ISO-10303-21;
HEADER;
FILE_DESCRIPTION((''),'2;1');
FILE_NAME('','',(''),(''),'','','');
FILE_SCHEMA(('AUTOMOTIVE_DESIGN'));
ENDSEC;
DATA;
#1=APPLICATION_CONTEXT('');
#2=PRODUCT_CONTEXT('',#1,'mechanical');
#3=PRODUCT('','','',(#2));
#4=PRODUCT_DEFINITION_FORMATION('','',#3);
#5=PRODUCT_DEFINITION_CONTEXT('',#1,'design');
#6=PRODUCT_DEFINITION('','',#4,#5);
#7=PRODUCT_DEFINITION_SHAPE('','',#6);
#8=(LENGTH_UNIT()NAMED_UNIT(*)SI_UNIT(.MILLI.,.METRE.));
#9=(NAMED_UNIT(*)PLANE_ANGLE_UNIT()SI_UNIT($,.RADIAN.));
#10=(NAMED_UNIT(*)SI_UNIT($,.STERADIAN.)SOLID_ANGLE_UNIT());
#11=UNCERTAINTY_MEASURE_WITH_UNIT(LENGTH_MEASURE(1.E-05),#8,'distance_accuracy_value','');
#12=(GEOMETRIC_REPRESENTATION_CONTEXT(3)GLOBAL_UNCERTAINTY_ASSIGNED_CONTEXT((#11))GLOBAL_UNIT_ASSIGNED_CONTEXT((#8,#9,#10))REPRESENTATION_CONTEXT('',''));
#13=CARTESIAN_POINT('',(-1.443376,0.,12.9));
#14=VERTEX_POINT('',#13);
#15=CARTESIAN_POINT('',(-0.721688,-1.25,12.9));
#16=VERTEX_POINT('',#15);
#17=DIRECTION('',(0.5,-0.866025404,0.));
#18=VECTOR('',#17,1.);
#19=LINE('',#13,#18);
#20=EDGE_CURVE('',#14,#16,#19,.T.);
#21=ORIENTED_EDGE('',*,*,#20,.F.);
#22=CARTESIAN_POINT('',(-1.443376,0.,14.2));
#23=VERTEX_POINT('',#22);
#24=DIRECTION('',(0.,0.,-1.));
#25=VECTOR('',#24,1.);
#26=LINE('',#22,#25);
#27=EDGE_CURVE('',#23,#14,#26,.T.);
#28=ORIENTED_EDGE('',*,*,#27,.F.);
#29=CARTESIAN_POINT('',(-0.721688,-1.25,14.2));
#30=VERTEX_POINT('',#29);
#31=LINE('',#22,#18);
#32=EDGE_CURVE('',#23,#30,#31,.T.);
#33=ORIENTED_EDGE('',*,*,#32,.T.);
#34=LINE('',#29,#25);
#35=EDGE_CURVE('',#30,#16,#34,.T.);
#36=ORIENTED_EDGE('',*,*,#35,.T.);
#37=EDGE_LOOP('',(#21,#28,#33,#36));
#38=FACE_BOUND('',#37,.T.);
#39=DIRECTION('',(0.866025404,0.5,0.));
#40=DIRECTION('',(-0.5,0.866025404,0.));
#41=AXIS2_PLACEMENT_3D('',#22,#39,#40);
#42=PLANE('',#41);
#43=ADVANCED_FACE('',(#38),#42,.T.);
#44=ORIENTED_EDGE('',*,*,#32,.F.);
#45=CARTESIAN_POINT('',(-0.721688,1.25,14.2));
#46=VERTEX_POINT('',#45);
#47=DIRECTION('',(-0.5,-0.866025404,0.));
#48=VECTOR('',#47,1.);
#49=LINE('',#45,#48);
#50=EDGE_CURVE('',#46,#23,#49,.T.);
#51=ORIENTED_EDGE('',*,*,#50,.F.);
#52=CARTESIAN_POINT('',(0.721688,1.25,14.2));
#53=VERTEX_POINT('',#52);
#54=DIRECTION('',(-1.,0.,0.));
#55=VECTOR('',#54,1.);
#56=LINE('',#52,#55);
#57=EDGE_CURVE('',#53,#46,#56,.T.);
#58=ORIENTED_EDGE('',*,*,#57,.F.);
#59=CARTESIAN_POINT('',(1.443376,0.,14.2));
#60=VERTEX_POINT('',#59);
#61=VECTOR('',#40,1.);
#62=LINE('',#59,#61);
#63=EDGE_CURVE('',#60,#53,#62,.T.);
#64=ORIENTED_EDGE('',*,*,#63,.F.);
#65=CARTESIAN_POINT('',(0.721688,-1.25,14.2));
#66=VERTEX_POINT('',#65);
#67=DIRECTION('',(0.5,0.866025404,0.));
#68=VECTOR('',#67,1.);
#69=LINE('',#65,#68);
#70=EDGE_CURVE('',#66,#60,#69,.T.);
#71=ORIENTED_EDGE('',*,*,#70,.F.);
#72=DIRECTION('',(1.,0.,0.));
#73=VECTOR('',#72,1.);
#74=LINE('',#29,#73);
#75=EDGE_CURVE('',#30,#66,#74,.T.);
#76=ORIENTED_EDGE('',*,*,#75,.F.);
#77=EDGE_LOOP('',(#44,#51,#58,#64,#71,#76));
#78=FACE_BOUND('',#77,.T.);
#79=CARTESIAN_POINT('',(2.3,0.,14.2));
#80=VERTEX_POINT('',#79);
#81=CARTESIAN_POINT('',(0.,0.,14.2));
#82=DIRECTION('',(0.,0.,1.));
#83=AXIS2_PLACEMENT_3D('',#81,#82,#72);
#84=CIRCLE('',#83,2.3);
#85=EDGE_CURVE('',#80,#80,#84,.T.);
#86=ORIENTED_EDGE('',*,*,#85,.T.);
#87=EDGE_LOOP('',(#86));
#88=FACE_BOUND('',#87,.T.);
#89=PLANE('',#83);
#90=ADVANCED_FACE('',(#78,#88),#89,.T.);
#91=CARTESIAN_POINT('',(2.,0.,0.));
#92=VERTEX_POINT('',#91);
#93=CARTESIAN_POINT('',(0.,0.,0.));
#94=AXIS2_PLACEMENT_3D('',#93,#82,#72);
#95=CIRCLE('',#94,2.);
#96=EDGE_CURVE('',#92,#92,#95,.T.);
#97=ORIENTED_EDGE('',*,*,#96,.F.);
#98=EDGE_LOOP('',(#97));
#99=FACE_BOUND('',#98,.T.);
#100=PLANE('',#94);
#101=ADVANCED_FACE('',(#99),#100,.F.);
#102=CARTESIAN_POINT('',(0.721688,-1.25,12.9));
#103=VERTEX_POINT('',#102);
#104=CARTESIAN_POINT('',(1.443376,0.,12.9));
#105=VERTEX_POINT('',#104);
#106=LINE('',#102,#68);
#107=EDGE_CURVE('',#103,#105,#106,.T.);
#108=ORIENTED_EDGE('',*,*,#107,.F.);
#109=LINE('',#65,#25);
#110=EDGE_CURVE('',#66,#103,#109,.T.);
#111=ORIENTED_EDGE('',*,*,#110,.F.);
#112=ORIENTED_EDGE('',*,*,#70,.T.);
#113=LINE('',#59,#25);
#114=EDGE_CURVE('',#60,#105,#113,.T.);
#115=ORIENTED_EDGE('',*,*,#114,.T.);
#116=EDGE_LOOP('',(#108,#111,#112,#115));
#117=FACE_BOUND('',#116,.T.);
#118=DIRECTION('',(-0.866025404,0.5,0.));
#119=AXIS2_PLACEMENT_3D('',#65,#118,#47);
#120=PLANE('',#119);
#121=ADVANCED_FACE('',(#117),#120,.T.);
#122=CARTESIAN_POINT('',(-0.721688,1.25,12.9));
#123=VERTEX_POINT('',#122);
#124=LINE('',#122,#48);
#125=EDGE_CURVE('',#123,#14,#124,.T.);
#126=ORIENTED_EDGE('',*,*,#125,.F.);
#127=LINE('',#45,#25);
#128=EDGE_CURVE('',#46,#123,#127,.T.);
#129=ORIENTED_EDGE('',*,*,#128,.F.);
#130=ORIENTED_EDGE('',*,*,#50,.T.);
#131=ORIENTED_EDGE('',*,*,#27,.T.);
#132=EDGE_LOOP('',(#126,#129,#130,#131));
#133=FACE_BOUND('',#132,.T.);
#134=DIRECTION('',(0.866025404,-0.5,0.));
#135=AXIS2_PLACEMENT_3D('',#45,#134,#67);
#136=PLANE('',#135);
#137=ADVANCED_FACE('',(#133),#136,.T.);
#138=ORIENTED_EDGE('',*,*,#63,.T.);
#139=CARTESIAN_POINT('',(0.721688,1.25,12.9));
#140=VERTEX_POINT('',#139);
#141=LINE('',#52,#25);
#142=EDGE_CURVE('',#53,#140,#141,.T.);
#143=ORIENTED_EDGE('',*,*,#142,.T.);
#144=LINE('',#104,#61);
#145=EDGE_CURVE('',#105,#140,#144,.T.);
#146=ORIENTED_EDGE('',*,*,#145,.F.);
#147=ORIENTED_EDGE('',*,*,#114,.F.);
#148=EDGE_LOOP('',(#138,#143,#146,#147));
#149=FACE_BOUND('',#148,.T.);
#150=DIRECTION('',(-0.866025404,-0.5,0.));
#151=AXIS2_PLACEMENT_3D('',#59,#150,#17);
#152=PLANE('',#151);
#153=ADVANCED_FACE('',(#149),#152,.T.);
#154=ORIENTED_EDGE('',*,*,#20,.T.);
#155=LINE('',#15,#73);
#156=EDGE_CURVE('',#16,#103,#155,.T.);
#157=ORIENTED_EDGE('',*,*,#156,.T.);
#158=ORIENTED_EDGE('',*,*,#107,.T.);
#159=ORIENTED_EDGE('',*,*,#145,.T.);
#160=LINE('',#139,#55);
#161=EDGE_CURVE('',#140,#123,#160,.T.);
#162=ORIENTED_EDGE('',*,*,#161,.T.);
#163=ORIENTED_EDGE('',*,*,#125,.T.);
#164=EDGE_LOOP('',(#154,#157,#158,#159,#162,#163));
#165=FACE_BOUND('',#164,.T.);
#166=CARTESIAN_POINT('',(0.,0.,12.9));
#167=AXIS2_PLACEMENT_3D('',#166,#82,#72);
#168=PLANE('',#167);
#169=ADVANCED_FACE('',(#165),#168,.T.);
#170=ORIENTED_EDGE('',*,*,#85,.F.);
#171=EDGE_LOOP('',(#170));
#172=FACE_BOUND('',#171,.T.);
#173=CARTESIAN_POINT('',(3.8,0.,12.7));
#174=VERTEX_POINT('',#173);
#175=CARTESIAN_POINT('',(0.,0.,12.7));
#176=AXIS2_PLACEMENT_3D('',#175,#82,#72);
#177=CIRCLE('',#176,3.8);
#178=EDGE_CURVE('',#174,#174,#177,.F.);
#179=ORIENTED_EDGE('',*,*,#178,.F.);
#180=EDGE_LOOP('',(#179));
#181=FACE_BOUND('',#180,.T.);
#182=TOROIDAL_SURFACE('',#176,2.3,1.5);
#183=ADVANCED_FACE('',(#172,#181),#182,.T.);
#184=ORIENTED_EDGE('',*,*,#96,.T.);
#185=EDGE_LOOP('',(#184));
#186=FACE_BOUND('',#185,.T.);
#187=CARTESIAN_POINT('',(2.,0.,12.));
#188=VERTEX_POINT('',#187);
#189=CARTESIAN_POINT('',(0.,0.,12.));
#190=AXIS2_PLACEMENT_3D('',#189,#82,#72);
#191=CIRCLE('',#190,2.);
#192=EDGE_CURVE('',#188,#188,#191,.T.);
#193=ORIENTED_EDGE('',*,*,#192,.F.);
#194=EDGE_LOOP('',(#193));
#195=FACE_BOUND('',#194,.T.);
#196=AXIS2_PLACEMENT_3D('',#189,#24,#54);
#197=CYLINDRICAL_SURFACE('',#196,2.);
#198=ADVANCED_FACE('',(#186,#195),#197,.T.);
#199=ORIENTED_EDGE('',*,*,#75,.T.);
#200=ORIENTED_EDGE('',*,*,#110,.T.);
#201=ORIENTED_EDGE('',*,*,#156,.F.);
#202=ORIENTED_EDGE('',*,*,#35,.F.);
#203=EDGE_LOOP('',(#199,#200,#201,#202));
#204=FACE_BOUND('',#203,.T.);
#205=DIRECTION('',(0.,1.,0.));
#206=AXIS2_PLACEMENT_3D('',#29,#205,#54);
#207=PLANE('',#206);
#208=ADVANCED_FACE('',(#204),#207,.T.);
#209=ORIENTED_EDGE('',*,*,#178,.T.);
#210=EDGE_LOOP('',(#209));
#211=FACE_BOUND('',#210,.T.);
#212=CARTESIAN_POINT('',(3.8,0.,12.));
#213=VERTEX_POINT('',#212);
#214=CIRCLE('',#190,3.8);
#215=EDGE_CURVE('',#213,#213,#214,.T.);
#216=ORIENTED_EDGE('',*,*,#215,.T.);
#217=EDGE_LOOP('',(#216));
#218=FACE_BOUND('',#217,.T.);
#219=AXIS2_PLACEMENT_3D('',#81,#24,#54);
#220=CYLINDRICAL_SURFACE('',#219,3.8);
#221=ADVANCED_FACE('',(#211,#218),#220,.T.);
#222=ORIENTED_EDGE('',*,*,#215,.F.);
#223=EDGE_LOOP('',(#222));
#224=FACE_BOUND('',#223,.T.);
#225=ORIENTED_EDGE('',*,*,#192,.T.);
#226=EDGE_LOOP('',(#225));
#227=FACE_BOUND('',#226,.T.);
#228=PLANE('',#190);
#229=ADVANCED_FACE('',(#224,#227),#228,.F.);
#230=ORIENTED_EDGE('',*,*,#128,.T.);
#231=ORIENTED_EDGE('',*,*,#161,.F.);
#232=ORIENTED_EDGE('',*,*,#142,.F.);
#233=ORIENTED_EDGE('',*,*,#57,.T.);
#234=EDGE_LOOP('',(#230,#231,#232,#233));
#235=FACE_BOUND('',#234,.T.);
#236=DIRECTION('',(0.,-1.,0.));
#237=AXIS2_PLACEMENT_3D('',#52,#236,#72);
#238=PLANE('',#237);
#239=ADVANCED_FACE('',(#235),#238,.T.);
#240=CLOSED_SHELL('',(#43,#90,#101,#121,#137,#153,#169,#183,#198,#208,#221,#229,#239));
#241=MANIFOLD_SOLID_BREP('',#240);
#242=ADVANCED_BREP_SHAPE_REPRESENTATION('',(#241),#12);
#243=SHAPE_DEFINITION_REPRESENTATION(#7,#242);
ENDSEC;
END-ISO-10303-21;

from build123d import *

# Parameters (mm, degrees)
SKETCH1_R      = 2
SHANK_DEPTH    = 12
SKETCH2_R      = 3.8
HEAD_DEPTH     = 2.2
BUTTON_ROUND_R = 1.5
SOCKET_DEPTH   = 1.3


with BuildPart() as part:
    # Sketch1 → Shank (new body)
    with BuildSketch(Plane.XY):
        Circle(SKETCH1_R)
    extrude(amount=SHANK_DEPTH)

    # Sketch2 → Head (add)
    with BuildSketch(Plane.XY.offset(12)):
        Circle(SKETCH2_R)
    extrude(amount=HEAD_DEPTH)

    # Button_round
    button_round_edges = [part.edges().sort_by_distance(p)[0] for p in [
        (-3.8, 0, 14.2),
    ]]
    fillet(button_round_edges, radius=BUTTON_ROUND_R)

    # Sketch3 → Socket (cut)
    with BuildSketch(Plane.XY.offset(12.9)):
        Polygon((1.443375673, 0), (0.721687836, 1.25), (-0.721687836, 1.25), (-1.443375673, 0), (-0.721687836, -1.25), (0.721687836, -1.25), align=None)
    extrude(amount=SOCKET_DEPTH, mode=Mode.SUBTRACT)


solid = part.part
